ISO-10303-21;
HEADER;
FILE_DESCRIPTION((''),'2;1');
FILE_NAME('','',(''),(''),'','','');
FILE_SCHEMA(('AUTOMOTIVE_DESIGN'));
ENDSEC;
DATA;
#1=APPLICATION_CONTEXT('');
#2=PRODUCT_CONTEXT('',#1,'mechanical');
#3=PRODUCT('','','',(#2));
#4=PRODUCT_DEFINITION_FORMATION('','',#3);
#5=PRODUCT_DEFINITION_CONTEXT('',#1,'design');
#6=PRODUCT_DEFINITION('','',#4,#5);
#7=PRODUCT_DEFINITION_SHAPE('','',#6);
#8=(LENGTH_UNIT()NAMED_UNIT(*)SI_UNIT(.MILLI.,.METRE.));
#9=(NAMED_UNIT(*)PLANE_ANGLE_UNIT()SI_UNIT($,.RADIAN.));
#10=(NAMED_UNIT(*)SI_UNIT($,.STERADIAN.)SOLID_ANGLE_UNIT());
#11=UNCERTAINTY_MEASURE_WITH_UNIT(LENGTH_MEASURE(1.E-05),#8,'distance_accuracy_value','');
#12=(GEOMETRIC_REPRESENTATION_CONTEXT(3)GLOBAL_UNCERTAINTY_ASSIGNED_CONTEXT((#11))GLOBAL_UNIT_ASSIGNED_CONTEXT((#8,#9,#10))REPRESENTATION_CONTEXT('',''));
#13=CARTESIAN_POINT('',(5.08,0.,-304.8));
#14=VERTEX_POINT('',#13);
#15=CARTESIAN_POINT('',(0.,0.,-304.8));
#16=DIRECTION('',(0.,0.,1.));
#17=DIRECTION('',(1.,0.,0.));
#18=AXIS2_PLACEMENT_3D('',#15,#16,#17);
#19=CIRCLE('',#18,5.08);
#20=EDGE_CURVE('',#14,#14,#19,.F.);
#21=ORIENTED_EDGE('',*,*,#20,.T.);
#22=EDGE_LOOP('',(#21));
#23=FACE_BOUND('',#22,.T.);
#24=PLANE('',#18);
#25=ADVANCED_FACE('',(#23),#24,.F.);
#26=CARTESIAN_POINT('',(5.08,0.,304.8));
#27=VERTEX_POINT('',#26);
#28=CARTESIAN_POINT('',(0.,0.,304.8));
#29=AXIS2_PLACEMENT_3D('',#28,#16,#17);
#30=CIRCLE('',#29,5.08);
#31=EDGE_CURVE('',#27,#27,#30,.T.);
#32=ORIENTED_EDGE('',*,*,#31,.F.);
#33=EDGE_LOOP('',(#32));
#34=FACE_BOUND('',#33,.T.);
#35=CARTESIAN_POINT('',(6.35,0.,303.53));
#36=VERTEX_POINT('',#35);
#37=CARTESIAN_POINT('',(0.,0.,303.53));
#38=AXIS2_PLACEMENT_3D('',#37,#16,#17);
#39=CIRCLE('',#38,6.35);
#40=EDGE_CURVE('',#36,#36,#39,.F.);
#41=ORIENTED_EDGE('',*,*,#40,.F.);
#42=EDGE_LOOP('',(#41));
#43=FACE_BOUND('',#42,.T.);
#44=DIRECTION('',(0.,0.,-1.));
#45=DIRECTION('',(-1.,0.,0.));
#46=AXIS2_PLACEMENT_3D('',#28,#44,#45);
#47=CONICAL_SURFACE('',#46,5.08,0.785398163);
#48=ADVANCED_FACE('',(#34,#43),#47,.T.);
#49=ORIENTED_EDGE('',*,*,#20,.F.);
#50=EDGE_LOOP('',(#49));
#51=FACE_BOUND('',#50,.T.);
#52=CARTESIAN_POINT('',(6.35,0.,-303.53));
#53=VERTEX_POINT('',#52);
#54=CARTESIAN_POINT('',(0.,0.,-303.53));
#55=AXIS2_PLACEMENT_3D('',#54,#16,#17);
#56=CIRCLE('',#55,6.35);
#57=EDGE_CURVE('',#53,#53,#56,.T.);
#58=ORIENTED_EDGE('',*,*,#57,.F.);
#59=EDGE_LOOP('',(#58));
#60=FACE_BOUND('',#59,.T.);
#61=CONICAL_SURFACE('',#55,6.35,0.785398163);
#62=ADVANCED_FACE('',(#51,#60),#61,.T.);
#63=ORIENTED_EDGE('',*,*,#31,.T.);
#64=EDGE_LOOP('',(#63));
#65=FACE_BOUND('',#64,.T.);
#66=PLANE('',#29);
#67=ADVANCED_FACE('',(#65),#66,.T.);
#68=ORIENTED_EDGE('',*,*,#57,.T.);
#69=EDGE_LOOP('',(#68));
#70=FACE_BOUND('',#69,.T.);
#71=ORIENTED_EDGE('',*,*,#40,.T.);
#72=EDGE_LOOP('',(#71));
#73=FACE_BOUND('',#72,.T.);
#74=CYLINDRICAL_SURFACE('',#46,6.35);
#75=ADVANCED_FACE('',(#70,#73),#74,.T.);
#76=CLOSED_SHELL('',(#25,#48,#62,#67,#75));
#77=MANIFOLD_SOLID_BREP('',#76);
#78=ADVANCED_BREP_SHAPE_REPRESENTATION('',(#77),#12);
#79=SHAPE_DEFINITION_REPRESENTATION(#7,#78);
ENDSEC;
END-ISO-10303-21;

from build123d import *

# Parameters (mm, degrees)
SKETCH1_R      = 6.35
EXTRUDE1_DEPTH = 304.8
CHAMFER1_SIZE  = 1.27


with BuildPart() as part:
    # Sketch1 → Extrude1 (new body, symmetric)
    with BuildSketch(Plane.XY):
        Circle(SKETCH1_R)
    extrude(amount=EXTRUDE1_DEPTH, both=True)

    # Chamfer1
    chamfer1_edges = [part.edges().sort_by_distance(p)[0] for p in [
        (-6.35, 0, -304.8),
        (-6.35, 0, 304.8),
    ]]
    chamfer(chamfer1_edges, length=CHAMFER1_SIZE)


solid = part.part
